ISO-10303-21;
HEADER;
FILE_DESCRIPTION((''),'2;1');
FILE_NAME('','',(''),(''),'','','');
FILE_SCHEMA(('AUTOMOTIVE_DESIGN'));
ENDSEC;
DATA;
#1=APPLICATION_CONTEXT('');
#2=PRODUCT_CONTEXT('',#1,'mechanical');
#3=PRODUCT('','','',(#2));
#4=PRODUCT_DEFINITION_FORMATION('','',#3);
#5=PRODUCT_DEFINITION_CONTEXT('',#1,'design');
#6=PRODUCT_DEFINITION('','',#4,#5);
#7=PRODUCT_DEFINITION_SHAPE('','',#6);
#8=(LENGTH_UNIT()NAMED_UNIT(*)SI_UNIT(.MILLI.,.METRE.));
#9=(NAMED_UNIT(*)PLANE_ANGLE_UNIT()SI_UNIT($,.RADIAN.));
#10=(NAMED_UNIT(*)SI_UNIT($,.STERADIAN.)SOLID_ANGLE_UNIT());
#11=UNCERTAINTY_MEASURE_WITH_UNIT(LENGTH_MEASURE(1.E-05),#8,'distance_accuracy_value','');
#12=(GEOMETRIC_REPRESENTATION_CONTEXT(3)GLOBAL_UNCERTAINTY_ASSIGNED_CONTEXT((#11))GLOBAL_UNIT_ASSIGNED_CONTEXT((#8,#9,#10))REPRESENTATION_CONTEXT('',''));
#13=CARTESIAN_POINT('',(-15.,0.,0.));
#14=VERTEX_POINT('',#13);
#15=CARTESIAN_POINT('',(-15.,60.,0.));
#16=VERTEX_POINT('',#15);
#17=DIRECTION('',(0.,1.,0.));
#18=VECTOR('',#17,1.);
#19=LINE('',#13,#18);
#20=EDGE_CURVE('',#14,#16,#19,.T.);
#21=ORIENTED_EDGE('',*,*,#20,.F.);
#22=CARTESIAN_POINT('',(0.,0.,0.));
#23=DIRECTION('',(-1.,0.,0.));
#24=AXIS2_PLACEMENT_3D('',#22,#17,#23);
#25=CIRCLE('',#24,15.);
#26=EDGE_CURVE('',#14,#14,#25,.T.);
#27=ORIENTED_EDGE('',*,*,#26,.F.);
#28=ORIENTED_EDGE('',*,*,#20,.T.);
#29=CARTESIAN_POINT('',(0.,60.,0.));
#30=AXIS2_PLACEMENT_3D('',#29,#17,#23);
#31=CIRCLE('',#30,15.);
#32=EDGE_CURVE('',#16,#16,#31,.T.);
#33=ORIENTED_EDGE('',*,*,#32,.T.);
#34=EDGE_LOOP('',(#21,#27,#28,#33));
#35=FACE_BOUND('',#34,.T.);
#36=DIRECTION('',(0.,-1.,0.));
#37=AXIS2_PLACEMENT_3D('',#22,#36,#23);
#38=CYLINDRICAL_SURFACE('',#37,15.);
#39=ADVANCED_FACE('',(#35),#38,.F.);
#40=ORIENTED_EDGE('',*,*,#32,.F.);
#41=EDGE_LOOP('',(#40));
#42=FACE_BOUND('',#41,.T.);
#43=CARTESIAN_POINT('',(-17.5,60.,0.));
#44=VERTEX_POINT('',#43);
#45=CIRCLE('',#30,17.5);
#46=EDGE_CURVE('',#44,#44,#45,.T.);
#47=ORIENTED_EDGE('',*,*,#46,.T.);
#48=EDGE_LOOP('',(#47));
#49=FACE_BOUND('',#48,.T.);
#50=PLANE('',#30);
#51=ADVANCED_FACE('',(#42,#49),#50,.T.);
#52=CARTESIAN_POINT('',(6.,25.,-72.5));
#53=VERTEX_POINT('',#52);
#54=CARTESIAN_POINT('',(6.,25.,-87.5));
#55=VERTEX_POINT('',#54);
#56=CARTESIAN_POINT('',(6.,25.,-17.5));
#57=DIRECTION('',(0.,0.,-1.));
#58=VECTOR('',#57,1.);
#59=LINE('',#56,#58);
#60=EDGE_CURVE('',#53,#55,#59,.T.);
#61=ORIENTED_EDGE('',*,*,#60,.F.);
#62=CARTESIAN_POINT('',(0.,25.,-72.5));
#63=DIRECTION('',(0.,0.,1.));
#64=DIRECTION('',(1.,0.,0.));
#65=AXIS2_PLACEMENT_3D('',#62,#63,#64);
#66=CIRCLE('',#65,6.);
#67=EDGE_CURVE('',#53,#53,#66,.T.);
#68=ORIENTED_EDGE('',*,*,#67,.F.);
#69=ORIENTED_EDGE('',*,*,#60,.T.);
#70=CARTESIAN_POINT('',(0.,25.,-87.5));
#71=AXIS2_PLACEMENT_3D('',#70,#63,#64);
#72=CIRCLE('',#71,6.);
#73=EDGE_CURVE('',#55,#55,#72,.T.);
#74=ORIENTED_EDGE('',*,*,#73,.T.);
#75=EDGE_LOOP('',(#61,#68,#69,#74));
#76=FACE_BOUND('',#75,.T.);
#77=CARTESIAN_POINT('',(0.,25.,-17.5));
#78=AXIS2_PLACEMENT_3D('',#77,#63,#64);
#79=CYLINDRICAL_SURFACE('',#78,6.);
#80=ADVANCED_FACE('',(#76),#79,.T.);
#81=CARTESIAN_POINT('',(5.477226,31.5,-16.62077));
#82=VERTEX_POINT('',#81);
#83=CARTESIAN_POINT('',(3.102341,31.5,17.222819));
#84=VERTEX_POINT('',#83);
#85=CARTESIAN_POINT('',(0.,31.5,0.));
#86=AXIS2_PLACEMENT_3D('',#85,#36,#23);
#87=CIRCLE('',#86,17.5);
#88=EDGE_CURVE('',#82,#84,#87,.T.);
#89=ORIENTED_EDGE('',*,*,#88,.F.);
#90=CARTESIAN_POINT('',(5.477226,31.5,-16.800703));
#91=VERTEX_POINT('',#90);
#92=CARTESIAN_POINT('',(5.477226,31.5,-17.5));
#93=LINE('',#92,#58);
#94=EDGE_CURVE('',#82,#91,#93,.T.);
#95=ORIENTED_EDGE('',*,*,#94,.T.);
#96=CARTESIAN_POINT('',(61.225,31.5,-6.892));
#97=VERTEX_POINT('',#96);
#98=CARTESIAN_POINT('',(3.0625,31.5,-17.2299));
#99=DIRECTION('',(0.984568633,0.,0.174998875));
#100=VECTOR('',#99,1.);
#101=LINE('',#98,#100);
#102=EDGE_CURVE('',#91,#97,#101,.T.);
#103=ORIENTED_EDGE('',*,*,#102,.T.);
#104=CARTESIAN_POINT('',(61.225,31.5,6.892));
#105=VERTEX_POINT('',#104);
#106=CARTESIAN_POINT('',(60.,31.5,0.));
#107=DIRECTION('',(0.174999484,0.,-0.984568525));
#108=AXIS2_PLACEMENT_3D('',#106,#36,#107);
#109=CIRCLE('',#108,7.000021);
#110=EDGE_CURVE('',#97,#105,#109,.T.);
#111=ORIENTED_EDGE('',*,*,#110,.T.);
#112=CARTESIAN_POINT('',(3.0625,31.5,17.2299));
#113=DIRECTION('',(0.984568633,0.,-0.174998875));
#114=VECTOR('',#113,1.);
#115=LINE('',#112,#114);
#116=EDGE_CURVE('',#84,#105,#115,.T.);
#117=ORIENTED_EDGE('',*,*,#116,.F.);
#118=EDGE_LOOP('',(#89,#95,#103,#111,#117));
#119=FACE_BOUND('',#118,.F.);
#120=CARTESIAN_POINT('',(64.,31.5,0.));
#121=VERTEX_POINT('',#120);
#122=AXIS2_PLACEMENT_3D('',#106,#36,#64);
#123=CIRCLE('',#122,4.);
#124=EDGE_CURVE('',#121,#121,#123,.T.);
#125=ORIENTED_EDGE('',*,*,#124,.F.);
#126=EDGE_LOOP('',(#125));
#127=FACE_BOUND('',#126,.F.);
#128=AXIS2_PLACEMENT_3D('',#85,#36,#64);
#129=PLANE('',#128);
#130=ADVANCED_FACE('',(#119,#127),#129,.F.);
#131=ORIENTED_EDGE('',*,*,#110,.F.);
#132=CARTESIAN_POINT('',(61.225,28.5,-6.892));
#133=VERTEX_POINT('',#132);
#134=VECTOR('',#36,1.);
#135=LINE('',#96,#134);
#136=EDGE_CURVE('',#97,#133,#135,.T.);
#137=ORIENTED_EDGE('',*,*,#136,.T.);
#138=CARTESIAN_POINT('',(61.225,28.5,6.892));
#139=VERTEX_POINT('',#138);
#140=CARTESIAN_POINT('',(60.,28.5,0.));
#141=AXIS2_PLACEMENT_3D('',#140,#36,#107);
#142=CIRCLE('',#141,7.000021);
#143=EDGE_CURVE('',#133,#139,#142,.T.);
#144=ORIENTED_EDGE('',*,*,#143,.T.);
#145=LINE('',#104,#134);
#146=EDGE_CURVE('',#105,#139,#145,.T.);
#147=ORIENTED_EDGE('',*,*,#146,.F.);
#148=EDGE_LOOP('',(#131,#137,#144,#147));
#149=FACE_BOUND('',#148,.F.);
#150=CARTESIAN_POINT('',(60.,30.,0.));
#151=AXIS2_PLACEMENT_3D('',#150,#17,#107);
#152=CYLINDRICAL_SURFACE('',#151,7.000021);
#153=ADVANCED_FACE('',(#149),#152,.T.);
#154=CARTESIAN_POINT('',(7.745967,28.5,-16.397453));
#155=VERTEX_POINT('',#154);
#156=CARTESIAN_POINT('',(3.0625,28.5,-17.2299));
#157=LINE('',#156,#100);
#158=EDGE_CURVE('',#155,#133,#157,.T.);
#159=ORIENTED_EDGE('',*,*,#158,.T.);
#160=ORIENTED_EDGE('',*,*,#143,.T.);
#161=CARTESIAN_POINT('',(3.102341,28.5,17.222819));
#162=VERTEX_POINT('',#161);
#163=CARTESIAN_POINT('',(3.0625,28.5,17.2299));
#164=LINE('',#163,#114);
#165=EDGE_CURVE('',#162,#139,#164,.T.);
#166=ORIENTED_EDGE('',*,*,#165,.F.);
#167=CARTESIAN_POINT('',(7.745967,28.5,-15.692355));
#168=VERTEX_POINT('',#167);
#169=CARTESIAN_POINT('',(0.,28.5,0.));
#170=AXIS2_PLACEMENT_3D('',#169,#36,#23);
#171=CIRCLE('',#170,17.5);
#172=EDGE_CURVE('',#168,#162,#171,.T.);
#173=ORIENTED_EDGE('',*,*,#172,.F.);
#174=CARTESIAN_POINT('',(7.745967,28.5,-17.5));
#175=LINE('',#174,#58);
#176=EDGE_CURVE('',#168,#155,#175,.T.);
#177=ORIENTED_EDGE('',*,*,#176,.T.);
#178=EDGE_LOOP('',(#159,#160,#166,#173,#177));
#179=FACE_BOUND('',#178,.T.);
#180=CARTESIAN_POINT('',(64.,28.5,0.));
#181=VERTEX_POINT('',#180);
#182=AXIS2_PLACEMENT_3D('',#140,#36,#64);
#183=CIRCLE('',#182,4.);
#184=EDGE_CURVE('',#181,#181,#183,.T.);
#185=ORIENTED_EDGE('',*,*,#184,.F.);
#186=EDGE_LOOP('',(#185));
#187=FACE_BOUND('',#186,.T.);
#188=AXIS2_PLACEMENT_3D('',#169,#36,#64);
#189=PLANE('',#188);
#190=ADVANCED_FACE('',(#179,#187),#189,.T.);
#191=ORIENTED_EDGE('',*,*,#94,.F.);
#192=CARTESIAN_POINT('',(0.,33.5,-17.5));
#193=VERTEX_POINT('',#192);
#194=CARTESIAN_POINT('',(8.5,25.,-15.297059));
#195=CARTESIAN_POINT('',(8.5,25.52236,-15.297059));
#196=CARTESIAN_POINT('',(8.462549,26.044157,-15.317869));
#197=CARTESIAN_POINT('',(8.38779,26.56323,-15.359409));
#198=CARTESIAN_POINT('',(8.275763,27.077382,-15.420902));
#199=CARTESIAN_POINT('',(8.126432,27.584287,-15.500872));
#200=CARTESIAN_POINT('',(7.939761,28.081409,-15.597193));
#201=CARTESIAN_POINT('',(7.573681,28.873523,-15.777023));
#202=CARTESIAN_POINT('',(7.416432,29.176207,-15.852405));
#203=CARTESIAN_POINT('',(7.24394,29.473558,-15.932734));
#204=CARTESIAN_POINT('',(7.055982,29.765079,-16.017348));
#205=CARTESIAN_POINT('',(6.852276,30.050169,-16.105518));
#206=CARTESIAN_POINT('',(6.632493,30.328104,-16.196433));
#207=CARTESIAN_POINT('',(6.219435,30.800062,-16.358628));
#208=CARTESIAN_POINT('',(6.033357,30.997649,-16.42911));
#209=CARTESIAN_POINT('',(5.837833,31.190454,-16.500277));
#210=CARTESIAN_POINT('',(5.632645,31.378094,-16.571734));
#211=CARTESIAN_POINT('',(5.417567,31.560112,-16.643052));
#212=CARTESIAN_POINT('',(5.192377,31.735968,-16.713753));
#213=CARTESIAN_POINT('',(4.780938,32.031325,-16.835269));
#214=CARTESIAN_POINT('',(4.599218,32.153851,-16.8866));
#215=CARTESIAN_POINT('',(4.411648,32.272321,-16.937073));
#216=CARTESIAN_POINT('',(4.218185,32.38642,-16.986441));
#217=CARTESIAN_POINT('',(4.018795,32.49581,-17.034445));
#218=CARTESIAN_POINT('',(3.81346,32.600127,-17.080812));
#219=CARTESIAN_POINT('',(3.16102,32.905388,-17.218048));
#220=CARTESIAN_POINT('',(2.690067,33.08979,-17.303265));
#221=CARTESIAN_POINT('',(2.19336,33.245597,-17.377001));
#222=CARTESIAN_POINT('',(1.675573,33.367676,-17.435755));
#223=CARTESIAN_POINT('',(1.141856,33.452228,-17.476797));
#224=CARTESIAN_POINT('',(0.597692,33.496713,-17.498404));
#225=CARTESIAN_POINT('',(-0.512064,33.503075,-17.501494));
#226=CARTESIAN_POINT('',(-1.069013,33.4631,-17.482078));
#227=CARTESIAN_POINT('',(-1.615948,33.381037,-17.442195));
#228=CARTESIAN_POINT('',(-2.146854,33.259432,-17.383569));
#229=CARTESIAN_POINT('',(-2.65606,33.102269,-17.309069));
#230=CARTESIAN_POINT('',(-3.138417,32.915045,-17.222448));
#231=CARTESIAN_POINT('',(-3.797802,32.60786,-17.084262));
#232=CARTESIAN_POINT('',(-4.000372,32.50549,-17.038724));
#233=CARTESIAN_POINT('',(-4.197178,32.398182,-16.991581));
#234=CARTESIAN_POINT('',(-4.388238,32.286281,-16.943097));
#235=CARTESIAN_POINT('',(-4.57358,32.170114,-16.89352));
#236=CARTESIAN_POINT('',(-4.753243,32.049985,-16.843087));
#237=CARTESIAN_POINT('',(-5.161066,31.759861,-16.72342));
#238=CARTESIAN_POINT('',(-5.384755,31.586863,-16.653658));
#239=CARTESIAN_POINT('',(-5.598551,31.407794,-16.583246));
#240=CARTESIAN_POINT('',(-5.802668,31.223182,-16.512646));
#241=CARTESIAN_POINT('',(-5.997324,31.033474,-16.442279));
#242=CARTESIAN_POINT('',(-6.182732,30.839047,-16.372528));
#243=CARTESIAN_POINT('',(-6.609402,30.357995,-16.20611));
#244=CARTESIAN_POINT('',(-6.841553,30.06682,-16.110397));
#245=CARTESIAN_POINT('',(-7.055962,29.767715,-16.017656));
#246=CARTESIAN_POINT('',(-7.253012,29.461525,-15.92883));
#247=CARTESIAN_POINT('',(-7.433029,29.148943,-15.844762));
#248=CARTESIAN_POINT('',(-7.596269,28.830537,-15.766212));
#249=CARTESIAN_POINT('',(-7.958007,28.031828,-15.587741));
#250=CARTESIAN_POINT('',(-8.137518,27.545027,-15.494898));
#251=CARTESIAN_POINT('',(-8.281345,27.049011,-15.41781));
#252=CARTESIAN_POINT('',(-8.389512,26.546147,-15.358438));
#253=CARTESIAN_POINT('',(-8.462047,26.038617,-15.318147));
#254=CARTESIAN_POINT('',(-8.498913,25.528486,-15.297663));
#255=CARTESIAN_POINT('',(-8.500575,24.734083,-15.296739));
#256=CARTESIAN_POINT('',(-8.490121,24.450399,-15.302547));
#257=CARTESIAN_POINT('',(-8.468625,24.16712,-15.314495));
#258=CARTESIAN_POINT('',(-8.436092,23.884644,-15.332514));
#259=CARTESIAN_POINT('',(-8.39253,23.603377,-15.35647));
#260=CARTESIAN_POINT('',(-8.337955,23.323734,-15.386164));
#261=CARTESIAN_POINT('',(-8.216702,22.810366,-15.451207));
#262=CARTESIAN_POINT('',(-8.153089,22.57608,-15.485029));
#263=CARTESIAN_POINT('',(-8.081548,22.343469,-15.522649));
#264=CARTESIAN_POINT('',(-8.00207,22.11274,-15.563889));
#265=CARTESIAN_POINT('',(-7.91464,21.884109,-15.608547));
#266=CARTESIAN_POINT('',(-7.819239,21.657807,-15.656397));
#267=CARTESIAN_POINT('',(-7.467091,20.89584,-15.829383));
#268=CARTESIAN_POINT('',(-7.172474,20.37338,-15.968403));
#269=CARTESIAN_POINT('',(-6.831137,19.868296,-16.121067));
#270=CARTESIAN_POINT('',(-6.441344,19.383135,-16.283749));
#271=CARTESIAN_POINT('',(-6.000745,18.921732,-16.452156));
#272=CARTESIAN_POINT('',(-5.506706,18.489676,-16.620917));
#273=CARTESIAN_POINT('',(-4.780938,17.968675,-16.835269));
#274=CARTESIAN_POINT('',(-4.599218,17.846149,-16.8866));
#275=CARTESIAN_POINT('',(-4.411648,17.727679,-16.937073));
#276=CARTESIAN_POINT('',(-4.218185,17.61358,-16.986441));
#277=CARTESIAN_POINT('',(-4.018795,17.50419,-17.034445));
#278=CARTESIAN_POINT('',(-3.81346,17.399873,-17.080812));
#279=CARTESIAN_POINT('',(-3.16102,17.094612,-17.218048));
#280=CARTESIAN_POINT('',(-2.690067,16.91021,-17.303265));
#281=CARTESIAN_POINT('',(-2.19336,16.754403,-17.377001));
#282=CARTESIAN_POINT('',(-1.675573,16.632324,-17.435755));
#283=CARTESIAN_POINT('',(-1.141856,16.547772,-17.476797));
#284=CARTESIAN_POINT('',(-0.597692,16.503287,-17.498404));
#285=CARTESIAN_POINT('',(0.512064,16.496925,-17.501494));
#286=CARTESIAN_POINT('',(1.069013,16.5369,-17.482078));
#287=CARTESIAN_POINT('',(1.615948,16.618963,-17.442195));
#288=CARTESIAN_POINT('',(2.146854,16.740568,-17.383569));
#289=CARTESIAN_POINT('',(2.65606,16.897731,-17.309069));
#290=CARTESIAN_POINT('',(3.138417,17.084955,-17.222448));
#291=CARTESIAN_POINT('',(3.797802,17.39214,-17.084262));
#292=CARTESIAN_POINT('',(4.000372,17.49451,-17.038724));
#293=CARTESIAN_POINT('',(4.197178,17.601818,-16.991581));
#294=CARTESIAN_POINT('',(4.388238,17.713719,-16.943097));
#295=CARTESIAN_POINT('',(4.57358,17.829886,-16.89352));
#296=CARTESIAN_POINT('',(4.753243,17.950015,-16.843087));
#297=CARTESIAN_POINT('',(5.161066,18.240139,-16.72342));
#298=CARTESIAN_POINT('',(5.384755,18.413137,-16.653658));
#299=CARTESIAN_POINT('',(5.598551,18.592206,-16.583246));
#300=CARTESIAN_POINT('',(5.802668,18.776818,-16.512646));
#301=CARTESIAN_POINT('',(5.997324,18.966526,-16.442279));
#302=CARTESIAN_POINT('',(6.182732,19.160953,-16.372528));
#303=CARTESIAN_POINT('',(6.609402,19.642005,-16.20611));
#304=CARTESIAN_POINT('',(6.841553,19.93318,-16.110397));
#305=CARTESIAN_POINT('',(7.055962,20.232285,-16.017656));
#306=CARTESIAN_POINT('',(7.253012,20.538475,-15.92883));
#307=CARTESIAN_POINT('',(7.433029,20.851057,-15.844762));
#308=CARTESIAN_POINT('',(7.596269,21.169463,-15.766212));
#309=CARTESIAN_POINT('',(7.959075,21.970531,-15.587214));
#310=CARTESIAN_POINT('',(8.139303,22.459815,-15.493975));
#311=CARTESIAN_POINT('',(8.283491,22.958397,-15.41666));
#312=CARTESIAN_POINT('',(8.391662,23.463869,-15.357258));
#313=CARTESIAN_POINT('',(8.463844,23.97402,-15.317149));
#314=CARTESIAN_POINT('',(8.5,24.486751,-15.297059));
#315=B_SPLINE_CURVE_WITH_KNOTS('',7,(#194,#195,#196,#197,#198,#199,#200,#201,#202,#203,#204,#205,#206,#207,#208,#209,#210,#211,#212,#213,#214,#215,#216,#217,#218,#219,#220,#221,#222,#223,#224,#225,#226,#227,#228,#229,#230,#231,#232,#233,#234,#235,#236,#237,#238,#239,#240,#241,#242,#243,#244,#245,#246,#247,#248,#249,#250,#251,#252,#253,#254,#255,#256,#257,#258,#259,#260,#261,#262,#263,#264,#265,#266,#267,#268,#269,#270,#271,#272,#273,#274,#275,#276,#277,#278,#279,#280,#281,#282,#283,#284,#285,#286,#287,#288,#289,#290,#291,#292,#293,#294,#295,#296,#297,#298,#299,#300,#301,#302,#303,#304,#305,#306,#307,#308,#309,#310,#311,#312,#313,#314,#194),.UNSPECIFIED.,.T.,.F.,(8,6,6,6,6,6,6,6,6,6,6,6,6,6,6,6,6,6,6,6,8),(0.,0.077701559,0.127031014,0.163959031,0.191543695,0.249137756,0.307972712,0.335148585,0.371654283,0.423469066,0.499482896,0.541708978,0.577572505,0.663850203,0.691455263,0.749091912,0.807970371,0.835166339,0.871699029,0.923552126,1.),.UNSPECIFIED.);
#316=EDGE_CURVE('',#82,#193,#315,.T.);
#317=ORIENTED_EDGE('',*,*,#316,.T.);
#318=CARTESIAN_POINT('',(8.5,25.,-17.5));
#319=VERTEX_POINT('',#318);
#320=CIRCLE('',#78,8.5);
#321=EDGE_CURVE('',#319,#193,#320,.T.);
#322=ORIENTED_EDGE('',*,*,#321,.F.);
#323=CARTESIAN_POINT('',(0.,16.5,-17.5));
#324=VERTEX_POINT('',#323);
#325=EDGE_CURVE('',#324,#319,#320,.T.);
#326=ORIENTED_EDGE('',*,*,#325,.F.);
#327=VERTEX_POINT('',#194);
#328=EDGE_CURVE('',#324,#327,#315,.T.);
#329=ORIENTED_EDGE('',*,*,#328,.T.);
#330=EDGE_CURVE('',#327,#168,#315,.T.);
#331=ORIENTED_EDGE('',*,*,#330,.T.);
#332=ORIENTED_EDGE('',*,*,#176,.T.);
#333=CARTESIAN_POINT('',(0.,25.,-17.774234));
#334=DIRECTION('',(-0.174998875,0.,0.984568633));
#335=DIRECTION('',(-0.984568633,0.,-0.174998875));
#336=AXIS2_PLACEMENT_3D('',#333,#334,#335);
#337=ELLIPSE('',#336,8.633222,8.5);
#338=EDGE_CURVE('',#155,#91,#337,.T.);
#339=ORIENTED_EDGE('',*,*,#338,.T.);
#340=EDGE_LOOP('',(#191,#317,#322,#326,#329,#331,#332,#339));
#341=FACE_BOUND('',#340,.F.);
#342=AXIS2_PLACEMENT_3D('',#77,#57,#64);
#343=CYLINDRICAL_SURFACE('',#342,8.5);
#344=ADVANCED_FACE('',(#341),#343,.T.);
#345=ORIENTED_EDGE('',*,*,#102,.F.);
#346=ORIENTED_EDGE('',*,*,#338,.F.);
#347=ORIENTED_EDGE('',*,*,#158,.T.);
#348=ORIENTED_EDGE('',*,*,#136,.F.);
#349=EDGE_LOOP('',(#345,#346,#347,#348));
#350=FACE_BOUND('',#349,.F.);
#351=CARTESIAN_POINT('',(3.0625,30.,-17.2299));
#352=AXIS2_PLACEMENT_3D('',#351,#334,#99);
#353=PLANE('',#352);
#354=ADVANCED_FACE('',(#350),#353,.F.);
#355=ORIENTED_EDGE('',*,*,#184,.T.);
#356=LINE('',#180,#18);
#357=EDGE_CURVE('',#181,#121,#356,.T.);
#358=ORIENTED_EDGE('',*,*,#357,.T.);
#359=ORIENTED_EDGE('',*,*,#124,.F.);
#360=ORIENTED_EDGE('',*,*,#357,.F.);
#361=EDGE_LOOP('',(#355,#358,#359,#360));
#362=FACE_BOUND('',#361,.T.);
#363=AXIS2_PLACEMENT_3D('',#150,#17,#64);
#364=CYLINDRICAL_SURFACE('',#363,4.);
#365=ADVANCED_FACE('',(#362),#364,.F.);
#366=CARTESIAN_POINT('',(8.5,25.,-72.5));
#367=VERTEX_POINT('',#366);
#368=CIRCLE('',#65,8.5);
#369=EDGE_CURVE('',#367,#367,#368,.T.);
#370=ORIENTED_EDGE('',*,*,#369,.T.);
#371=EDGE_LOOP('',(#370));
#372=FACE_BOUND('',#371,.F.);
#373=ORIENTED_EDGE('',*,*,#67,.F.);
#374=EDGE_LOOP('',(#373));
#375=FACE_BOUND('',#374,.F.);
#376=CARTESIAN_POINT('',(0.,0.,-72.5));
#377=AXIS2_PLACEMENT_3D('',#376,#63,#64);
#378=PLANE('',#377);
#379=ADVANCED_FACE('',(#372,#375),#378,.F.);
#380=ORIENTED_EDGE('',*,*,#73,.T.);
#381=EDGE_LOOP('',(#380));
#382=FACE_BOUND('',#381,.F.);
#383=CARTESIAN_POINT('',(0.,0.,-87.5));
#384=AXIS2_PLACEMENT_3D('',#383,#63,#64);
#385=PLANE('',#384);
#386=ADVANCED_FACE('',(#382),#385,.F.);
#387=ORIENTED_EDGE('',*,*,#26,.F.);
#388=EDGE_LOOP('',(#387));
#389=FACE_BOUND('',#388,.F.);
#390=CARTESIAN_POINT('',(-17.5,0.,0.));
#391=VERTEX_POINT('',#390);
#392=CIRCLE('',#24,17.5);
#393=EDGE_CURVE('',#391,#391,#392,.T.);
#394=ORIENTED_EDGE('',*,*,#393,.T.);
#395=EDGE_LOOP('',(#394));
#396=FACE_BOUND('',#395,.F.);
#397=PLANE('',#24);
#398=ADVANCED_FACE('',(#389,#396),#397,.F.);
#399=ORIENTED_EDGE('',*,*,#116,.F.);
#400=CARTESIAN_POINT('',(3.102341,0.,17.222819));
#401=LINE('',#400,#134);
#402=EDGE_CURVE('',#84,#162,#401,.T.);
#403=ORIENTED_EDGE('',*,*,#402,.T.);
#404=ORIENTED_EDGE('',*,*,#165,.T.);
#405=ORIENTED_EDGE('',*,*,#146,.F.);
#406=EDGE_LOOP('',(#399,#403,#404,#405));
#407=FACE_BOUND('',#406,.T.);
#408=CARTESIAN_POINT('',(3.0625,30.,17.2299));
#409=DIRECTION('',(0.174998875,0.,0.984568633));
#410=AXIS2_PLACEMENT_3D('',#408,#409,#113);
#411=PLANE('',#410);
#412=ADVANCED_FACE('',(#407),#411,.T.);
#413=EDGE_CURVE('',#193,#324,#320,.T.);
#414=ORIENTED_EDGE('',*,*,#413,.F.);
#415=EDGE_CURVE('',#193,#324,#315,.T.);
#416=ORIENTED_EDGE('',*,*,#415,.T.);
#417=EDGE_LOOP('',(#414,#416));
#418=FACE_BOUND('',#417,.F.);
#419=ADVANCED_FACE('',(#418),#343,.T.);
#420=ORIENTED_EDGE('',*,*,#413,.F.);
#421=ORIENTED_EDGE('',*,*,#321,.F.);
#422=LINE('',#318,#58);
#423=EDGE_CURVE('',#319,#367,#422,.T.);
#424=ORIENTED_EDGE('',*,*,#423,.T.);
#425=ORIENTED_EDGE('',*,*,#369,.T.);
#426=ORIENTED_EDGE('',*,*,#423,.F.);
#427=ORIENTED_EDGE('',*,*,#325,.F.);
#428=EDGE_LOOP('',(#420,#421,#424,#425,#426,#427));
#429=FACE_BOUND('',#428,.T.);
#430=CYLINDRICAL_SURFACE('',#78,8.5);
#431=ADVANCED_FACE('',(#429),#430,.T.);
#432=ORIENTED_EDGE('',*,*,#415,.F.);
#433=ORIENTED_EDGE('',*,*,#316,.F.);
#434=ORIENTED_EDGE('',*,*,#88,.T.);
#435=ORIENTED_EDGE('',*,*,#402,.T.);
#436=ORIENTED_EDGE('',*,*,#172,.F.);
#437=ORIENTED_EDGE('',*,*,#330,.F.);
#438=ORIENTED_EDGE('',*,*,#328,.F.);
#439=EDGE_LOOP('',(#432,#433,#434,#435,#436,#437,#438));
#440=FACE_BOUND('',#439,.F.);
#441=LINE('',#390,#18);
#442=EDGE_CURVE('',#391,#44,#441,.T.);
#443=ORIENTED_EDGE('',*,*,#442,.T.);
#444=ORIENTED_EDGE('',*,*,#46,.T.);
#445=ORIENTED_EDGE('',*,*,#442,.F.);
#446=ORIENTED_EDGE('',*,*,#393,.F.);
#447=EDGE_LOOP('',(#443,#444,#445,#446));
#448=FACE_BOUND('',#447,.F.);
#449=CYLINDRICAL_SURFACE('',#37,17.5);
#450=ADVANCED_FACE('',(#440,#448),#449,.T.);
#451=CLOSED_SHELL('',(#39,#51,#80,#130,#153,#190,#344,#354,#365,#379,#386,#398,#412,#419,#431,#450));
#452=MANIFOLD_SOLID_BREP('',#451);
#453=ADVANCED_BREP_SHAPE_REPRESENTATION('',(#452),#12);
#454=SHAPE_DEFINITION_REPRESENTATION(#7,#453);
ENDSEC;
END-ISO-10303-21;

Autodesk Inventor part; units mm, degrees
sketch "Sketch1" plane through (0, 0, 0) normal (0, 1, 0) x (-1, 0, 0)
  line L0 (0, -24.5) -> (0, 24.5) construction
  line L1 (-24.5, 0) -> (24.5, 0) construction
  circle A0 centre (0, 0) radius 17.5
  circle A1 centre (0, 0) radius 15
  dimension "d0" = 35
  dimension "d1" = 30
extrude "Extrusion1" add sketch "Sketch1" along normal blind 60
ref_plane "Work Plane5" through (17.5, 0, 0) normal (1, 0, 0) x (0, 1, 0)
ref_plane "Work Plane6" through (0, 30, 0) normal (0, -1, 0) x (1, 0, 0)
sketch "Sketch7" plane through (0, 30, 0) normal (0, -1, 0) x (1, 0, 0)
  circle A0 centre (0, 0) radius 15 construction
  line L0 (0, 24.5) -> (0, -24.5) construction
  line L1 (-34.4, 0) -> (83.9, 0) construction
  arc A1 (61.225, -6.892) -> (61.225, 6.892) centre (60, 0) ccw
  line L2 (3.0625, -17.2299) -> (61.225, -6.892)
  line L3 (3.0625, 17.2299) -> (61.225, 6.892)
  arc A2 (3.0625, -17.2299) -> (3.0625, 17.2299) centre (0, 0) ccw
  circle A3 centre (60, 0) radius 4
  dimension "d35" = 14
  dimension "d36" = 60
  dimension "d37" = 8
extrude "Extrusion5" add sketch "Sketch7" along normal mid plane 3
ref_plane "Work Plane7" through (0, 0, -17.5) normal (0, 0, 1) x (1, 0, 0)
sketch "Sketch8" plane through (0, 0, -17.5) normal (0, 0, 1) x (1, 0, 0)
  circle A0 centre (0, 25) radius 6 projected
  circle A1 centre (0, 25) radius 8.5 projected
  point P0 (0, 0)
extrude "Extrusion6" add sketch "Sketch8" against normal blind 55 contours A0 | A1
extrude "Extrusion7" add sketch "Sketch8" against normal blind 70 contours A0
extrude "Extrusion8" add sketch "Sketch8" along normal up to next contours A0 | A1
thread "Thread2" size "M12x1.75" class "6g" standard "ANSI Metric M Profile" full length
equation "\"d23\" = 55deg"
equation "\"Sketch4_Pitch\" = 1.75"
properties part number "steering_kingpin_right" material "Steel, Mild"
